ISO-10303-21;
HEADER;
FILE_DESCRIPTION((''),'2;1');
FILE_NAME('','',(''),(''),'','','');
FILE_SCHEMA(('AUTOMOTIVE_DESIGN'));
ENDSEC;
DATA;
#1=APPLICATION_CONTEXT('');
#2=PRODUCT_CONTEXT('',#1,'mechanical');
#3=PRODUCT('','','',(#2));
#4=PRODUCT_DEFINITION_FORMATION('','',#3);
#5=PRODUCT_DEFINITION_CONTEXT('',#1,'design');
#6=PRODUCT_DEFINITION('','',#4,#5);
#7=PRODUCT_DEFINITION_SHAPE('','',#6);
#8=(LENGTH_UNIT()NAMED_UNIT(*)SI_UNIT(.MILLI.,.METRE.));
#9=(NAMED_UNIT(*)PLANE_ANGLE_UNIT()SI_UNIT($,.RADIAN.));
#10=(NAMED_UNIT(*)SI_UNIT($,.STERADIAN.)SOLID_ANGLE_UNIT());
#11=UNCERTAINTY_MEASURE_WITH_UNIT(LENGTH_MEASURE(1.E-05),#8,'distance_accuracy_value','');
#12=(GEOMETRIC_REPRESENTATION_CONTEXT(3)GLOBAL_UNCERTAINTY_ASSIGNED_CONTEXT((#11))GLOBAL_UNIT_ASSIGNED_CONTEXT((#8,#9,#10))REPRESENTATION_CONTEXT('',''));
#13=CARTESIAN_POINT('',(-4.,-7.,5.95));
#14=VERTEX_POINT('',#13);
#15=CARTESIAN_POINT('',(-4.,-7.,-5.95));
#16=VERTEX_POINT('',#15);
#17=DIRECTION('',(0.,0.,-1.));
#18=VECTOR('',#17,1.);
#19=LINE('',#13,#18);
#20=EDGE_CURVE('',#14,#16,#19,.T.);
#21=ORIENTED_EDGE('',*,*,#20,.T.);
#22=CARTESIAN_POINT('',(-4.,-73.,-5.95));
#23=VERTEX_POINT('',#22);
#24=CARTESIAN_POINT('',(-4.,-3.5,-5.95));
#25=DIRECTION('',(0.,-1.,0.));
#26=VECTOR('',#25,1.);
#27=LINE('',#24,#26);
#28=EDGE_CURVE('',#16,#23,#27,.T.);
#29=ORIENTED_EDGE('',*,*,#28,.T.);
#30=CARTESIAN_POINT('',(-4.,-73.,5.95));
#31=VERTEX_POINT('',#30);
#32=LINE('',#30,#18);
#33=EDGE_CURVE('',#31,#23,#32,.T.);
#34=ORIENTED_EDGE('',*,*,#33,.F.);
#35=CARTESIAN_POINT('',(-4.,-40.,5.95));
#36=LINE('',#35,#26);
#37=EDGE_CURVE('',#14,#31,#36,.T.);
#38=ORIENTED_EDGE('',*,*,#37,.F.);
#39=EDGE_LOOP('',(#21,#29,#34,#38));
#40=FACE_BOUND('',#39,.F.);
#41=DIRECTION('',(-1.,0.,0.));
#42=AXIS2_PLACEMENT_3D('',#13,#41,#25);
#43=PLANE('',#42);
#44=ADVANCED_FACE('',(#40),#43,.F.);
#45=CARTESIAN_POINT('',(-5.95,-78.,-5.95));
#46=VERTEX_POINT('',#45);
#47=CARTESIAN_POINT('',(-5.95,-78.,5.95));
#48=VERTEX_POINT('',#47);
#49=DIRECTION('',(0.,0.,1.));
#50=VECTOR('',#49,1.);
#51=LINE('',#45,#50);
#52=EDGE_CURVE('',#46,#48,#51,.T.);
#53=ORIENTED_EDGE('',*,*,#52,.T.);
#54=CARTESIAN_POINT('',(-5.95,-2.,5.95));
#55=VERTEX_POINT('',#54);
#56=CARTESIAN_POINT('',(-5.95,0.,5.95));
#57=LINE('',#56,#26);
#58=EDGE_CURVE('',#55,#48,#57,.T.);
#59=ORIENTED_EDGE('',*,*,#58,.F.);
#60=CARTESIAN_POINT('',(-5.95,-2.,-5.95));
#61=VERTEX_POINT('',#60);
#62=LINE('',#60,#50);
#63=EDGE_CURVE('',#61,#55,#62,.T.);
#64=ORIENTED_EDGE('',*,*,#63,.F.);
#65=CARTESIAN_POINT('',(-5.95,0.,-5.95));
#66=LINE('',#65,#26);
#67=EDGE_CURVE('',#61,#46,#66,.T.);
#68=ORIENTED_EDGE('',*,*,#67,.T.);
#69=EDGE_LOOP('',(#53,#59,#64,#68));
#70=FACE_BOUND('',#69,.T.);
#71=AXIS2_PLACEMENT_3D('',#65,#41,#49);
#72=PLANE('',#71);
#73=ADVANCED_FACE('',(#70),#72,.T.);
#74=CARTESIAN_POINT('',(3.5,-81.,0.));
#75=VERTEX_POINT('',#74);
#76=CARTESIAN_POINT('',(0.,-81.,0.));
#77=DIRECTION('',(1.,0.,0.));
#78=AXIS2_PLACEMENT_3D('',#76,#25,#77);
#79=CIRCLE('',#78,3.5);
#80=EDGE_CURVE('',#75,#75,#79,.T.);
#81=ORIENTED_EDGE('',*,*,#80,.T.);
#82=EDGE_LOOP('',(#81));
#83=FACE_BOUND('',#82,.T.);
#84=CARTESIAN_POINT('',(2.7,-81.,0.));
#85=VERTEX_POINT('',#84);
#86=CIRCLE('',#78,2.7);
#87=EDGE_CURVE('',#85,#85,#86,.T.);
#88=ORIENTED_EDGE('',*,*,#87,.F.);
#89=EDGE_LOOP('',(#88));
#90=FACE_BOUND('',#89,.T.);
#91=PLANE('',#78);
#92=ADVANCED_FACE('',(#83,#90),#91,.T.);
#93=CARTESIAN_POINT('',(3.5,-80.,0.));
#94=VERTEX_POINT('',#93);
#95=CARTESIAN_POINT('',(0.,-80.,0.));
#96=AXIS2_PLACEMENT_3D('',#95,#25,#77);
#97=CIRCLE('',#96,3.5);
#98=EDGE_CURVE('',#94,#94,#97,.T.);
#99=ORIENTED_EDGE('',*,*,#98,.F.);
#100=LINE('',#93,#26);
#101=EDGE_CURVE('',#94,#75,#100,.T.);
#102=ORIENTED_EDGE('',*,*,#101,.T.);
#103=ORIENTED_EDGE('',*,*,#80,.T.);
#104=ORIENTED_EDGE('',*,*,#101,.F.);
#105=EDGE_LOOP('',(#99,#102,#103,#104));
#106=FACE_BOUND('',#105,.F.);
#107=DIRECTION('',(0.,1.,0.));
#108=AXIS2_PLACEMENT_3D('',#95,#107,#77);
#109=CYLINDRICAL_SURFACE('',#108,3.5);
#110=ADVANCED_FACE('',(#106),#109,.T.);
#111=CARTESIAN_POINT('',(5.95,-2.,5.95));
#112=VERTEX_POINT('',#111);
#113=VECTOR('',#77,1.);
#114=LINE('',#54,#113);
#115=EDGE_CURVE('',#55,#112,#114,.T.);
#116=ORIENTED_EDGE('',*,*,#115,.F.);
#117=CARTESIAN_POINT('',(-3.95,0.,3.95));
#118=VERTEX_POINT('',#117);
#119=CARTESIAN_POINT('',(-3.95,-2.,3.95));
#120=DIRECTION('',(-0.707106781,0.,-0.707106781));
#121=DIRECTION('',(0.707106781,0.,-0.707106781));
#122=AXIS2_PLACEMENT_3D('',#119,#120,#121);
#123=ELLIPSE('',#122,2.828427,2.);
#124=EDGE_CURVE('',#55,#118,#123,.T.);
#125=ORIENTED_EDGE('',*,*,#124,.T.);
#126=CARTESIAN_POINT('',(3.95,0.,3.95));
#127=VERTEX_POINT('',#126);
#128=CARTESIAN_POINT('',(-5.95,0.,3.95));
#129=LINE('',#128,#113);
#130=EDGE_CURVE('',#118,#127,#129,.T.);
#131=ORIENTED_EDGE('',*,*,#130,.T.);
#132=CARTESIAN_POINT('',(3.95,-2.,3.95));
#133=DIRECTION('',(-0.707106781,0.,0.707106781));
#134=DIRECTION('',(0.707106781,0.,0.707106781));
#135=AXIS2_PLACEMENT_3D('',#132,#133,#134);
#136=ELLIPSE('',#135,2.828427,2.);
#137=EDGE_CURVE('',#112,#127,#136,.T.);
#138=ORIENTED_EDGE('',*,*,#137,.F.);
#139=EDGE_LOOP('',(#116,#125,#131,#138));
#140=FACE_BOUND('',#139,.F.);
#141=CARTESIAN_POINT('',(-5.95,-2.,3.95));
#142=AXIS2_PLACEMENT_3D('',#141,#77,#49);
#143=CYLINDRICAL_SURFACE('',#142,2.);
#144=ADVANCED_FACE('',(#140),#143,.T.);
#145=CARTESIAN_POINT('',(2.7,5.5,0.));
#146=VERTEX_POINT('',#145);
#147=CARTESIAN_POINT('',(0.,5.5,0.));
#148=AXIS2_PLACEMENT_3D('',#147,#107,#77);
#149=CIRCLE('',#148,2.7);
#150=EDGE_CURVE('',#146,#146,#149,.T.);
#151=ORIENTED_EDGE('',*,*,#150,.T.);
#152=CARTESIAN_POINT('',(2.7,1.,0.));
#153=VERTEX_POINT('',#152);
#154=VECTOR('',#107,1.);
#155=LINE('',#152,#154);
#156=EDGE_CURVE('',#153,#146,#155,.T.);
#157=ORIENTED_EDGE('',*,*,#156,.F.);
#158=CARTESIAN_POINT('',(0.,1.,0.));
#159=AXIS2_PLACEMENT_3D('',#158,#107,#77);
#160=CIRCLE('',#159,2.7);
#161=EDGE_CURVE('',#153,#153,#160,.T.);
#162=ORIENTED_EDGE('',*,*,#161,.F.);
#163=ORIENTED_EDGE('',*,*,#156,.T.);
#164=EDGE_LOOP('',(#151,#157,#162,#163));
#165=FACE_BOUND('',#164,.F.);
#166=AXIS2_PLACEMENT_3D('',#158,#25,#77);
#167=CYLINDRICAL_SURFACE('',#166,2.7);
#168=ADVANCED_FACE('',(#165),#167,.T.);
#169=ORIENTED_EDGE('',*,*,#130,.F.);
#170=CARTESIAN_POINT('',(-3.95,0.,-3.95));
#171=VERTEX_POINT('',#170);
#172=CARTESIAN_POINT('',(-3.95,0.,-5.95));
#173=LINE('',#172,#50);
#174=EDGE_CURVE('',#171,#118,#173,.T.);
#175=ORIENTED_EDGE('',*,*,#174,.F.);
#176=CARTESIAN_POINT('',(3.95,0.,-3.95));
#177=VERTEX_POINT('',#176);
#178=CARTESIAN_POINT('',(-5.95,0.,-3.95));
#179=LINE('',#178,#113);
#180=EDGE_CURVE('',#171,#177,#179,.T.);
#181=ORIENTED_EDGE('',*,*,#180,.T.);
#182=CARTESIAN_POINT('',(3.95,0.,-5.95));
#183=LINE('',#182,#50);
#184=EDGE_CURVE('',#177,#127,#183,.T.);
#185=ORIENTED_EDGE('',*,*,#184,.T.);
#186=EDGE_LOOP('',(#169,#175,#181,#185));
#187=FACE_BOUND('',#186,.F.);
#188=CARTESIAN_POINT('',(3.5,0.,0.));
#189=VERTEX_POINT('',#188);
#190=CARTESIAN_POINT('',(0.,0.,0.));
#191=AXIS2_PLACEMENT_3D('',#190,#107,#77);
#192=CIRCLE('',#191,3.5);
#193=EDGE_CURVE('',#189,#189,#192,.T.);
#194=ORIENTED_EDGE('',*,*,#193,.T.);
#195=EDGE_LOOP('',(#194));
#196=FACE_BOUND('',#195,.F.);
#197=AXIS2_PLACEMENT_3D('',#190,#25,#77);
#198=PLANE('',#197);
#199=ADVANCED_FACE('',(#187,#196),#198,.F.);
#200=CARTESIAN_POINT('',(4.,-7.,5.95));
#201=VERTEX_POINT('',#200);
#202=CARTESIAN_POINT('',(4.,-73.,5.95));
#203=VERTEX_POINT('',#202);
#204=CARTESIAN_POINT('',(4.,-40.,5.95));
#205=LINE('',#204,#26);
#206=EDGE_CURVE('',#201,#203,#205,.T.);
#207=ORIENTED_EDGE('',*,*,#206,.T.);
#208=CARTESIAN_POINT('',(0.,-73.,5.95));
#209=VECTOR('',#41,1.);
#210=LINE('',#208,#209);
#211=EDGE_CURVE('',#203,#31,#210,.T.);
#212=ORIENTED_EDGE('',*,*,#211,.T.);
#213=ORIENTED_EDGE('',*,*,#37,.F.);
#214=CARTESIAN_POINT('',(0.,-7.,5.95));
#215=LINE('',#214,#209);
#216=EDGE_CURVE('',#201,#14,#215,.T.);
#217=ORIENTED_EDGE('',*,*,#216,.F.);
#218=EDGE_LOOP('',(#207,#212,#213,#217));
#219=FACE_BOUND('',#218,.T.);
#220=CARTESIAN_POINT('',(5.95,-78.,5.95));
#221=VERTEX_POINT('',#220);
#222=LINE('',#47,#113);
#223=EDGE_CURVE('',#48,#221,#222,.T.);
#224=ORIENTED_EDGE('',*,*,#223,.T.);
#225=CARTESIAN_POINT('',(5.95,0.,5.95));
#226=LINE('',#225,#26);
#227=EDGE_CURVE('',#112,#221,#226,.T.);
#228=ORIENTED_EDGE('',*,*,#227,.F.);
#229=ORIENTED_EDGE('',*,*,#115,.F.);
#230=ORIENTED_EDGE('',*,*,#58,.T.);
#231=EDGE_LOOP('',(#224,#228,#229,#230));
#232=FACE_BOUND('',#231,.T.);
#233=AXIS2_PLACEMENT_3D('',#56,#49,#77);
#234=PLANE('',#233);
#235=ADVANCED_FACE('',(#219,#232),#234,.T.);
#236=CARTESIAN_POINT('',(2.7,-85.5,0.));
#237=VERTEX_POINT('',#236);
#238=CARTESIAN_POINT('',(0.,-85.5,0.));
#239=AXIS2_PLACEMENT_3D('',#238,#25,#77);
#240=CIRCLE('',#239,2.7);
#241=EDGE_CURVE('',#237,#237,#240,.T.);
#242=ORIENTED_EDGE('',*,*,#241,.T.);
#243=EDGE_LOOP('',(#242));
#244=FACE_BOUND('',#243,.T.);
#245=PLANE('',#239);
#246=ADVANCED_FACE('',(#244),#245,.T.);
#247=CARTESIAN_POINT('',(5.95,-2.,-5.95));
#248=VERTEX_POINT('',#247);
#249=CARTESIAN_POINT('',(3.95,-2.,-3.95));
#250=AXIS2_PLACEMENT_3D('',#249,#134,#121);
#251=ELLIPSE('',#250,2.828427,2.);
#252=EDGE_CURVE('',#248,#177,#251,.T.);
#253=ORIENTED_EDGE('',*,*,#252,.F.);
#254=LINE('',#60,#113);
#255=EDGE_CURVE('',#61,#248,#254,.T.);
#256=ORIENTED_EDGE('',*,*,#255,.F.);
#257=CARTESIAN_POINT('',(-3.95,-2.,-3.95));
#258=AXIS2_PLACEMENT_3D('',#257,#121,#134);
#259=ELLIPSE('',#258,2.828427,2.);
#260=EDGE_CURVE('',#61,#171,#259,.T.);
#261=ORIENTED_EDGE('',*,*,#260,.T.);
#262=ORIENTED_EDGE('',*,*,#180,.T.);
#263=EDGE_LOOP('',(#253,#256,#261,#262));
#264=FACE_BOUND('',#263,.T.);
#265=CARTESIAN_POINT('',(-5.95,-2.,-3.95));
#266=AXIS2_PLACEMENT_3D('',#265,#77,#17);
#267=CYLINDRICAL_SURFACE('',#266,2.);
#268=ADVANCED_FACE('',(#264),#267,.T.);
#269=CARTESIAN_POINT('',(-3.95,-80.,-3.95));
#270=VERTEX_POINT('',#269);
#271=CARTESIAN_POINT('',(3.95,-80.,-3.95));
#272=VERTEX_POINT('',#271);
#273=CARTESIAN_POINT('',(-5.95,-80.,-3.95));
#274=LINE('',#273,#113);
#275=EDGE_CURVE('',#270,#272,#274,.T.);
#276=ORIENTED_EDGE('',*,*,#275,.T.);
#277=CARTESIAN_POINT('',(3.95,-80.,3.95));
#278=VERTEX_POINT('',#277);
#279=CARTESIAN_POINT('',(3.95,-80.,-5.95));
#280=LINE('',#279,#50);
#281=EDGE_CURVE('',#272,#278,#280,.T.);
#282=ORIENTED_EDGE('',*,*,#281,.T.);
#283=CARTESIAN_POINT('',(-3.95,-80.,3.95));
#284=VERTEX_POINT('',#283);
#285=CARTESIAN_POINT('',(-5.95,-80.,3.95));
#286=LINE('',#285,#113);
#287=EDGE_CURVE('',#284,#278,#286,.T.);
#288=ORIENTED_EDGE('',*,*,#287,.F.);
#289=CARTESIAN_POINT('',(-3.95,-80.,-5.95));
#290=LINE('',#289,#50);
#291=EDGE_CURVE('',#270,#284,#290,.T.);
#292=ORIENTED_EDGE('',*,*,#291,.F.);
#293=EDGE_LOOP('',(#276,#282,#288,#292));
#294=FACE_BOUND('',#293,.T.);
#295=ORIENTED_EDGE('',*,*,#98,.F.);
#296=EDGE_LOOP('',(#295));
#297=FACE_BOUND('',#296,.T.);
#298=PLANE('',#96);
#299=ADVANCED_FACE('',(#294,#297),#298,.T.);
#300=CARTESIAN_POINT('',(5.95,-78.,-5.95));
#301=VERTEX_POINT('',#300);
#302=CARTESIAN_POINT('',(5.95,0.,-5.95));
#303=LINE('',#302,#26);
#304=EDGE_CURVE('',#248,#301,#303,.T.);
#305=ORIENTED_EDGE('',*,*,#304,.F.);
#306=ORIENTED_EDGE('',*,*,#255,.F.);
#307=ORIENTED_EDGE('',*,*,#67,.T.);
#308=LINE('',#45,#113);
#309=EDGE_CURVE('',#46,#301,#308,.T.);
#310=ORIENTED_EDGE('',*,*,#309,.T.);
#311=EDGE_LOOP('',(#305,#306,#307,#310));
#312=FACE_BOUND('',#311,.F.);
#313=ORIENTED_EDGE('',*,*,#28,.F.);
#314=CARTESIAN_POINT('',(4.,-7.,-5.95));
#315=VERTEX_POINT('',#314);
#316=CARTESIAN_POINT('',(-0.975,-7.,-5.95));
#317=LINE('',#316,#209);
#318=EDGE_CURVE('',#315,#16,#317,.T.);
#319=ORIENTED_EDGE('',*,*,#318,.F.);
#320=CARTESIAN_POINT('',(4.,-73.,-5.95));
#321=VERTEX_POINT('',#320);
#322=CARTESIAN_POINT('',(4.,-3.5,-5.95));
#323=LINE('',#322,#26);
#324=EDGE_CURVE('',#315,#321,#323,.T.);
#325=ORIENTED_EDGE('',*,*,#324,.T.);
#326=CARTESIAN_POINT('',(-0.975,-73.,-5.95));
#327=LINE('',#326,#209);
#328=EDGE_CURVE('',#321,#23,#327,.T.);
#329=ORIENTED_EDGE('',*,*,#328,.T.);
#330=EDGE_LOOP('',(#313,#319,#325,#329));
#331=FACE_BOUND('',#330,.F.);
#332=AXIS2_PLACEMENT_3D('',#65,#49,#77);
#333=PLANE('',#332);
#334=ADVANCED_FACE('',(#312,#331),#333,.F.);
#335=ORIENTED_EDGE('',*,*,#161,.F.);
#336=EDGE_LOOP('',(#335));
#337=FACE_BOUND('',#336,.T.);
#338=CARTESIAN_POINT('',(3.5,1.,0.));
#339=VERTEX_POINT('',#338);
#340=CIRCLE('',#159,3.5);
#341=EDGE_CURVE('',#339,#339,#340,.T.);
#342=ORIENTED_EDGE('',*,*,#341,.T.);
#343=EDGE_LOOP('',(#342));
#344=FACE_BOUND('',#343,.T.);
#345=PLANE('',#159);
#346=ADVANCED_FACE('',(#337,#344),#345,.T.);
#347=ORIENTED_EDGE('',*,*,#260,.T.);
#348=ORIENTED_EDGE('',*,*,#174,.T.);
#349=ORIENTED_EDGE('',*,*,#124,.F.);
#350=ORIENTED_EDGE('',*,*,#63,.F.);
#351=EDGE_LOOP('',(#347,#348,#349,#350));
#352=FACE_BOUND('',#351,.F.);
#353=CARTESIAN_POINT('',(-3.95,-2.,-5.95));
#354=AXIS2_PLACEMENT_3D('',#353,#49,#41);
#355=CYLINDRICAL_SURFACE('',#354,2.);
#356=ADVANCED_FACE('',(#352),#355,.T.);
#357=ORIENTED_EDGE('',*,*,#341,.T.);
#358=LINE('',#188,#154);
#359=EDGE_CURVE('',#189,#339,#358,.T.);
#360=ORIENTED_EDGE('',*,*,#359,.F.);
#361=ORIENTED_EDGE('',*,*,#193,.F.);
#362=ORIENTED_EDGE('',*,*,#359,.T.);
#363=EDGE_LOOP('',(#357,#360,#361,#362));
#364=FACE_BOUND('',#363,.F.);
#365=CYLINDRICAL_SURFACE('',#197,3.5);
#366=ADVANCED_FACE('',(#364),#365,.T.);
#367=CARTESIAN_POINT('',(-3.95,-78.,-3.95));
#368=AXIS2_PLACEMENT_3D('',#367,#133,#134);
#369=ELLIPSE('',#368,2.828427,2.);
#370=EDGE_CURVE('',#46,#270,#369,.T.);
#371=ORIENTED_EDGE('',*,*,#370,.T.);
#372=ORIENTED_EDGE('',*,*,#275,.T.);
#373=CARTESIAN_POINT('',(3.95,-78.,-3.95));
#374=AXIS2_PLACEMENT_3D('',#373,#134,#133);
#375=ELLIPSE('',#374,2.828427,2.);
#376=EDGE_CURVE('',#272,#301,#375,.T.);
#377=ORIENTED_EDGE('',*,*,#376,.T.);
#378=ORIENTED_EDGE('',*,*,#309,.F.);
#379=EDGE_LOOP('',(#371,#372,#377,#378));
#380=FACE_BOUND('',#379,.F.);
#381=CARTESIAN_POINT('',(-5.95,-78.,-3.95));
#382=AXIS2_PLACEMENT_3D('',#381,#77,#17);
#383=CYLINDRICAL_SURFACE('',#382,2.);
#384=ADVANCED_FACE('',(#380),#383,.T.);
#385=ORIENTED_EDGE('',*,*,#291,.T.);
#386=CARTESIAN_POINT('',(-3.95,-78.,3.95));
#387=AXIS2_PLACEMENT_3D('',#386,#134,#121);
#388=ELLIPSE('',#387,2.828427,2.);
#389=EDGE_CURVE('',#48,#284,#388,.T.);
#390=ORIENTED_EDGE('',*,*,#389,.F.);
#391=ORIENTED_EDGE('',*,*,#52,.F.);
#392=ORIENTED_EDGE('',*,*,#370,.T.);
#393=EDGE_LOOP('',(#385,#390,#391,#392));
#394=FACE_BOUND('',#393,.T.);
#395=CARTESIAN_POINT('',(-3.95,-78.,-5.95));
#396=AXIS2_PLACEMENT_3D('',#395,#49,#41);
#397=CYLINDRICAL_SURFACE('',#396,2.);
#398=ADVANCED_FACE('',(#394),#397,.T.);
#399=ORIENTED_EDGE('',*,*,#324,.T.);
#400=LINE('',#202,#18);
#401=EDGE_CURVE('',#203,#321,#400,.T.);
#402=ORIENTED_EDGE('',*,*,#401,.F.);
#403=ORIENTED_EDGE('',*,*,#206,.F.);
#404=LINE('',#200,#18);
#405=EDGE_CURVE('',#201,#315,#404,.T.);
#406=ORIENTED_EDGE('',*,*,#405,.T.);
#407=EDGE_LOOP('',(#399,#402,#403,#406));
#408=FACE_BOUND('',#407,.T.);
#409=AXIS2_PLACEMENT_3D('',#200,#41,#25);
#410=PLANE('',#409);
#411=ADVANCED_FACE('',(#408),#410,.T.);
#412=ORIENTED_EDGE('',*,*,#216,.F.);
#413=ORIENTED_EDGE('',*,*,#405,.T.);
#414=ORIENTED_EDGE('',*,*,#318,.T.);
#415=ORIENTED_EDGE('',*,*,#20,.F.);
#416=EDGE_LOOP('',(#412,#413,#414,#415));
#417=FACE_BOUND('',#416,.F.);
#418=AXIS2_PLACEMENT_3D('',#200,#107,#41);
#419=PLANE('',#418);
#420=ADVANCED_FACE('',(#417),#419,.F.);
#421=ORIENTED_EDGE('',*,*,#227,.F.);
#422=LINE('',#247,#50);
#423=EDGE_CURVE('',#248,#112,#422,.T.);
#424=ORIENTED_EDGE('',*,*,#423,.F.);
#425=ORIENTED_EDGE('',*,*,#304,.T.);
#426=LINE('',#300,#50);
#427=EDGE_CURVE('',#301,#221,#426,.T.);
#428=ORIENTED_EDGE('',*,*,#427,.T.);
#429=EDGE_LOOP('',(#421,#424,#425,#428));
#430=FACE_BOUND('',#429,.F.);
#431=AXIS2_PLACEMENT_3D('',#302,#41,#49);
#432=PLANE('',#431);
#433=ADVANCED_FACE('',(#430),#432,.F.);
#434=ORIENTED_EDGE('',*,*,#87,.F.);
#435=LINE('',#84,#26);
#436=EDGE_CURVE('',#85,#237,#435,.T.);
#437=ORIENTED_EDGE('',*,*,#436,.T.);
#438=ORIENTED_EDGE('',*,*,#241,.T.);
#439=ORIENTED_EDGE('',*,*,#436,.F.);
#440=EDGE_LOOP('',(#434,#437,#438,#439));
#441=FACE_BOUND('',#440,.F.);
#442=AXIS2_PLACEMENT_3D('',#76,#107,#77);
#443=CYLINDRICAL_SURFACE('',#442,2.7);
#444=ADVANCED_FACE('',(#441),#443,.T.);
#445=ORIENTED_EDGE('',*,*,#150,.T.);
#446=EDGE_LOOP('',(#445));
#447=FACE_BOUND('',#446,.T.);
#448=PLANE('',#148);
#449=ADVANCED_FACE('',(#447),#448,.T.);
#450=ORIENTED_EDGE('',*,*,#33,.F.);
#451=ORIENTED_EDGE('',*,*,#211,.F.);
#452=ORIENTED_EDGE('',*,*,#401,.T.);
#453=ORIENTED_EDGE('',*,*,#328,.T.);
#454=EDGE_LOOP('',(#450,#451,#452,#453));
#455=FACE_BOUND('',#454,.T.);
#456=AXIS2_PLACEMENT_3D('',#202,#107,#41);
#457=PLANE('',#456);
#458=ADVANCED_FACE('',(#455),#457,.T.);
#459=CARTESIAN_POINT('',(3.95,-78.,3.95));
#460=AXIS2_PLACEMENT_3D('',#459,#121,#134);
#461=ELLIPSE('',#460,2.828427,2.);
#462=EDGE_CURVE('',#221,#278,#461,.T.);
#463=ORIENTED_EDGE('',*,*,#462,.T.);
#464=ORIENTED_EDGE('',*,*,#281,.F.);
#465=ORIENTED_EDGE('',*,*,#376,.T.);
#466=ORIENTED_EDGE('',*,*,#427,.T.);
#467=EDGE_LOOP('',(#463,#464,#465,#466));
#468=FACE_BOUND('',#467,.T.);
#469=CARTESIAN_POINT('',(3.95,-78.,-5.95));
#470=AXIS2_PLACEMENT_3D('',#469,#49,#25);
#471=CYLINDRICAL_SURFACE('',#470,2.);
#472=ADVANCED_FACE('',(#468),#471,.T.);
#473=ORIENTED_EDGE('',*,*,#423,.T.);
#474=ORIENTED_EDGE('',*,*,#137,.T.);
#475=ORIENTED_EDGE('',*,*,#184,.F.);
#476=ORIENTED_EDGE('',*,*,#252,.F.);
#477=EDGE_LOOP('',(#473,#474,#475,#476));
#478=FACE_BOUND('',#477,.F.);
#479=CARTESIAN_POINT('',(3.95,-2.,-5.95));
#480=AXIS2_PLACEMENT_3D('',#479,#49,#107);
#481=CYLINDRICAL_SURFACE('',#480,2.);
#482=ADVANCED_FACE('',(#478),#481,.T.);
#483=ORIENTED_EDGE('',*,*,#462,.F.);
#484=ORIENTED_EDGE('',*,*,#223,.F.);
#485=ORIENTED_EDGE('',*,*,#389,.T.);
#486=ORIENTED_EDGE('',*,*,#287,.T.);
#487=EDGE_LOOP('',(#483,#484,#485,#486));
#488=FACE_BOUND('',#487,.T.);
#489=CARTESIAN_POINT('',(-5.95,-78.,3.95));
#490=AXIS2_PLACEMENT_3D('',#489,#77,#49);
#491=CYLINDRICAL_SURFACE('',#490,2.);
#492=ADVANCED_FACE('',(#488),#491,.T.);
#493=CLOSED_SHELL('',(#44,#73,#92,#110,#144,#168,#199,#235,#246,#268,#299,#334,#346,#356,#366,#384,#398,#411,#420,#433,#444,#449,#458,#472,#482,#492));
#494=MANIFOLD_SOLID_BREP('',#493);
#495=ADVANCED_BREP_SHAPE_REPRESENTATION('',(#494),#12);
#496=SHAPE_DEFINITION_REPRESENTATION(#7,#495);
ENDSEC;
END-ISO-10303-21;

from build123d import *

# Parameters (mm, degrees)
SKETCH_W     = 11.9
SKETCH_H     = 11.9
PAD_DEPTH    = 80
SKETCH002_R  = 3.5
PAD001_DEPTH = 1
SKETCH001_R  = 3.5
PAD002_DEPTH = 1
SKETCH003_R  = 2.7
PAD003_DEPTH = 4.5
SKETCH004_R  = 2.7
PAD004_DEPTH = 4.5
FILLET_R     = 2
SKETCH005_W  = 8
SKETCH005_H  = 66
POCKET_DEPTH = 11.901


with BuildPart() as part:
    # Sketch → Pad (new body)
    with BuildSketch(Plane.XZ):
        Rectangle(SKETCH_W, SKETCH_H)
    extrude(amount=PAD_DEPTH)

    # Sketch002 (on Face5 of Pad) → Pad001 (join)
    with BuildSketch(Plane(origin=(0, 0, 0), x_dir=(1, 0, 0), z_dir=(0, 1, 0))):
        Circle(SKETCH002_R)
    extrude(amount=PAD001_DEPTH)

    # Sketch001 (on Face6 of Pad) → Pad002 (join)
    with BuildSketch(Plane.XZ.offset(80)):
        Circle(SKETCH001_R)
    extrude(amount=PAD002_DEPTH)

    # Sketch003 (on Face10 of Pad002) → Pad003 (join)
    with BuildSketch(Plane.XZ.offset(81)):
        Circle(SKETCH003_R)
    extrude(amount=PAD003_DEPTH)

    # Sketch004 (on Face9 of Pad003) → Pad004 (join)
    with BuildSketch(Plane(origin=(0, 1, 0), x_dir=(1, 0, 0), z_dir=(0, 1, 0))):
        Circle(SKETCH004_R)
    extrude(amount=PAD004_DEPTH)

    # Fillet
    fillet_edges = [part.edges().sort_by_distance(p)[0] for p in [
        (0, 0, 5.95),
        (-5.95, 0, 0),
        (0, 0, -5.95),
        (5.95, 0, 0),
        (0, -80, 5.95),
        (-5.95, -80, 0),
        (5.95, -80, 0),
        (0, -80, -5.95),
    ]]
    fillet(fillet_edges, radius=FILLET_R)

    # Sketch005 (on Face6 of Fillet) → Pocket (cut, through all)
    with BuildSketch(Plane(origin=(0, 0, 5.95), x_dir=(-1, 0, 0), z_dir=(0, 0, 1))):
        with Locations((0, 40)):
            Rectangle(SKETCH005_W, SKETCH005_H)
    extrude(amount=-POCKET_DEPTH, mode=Mode.SUBTRACT)


solid = part.part
